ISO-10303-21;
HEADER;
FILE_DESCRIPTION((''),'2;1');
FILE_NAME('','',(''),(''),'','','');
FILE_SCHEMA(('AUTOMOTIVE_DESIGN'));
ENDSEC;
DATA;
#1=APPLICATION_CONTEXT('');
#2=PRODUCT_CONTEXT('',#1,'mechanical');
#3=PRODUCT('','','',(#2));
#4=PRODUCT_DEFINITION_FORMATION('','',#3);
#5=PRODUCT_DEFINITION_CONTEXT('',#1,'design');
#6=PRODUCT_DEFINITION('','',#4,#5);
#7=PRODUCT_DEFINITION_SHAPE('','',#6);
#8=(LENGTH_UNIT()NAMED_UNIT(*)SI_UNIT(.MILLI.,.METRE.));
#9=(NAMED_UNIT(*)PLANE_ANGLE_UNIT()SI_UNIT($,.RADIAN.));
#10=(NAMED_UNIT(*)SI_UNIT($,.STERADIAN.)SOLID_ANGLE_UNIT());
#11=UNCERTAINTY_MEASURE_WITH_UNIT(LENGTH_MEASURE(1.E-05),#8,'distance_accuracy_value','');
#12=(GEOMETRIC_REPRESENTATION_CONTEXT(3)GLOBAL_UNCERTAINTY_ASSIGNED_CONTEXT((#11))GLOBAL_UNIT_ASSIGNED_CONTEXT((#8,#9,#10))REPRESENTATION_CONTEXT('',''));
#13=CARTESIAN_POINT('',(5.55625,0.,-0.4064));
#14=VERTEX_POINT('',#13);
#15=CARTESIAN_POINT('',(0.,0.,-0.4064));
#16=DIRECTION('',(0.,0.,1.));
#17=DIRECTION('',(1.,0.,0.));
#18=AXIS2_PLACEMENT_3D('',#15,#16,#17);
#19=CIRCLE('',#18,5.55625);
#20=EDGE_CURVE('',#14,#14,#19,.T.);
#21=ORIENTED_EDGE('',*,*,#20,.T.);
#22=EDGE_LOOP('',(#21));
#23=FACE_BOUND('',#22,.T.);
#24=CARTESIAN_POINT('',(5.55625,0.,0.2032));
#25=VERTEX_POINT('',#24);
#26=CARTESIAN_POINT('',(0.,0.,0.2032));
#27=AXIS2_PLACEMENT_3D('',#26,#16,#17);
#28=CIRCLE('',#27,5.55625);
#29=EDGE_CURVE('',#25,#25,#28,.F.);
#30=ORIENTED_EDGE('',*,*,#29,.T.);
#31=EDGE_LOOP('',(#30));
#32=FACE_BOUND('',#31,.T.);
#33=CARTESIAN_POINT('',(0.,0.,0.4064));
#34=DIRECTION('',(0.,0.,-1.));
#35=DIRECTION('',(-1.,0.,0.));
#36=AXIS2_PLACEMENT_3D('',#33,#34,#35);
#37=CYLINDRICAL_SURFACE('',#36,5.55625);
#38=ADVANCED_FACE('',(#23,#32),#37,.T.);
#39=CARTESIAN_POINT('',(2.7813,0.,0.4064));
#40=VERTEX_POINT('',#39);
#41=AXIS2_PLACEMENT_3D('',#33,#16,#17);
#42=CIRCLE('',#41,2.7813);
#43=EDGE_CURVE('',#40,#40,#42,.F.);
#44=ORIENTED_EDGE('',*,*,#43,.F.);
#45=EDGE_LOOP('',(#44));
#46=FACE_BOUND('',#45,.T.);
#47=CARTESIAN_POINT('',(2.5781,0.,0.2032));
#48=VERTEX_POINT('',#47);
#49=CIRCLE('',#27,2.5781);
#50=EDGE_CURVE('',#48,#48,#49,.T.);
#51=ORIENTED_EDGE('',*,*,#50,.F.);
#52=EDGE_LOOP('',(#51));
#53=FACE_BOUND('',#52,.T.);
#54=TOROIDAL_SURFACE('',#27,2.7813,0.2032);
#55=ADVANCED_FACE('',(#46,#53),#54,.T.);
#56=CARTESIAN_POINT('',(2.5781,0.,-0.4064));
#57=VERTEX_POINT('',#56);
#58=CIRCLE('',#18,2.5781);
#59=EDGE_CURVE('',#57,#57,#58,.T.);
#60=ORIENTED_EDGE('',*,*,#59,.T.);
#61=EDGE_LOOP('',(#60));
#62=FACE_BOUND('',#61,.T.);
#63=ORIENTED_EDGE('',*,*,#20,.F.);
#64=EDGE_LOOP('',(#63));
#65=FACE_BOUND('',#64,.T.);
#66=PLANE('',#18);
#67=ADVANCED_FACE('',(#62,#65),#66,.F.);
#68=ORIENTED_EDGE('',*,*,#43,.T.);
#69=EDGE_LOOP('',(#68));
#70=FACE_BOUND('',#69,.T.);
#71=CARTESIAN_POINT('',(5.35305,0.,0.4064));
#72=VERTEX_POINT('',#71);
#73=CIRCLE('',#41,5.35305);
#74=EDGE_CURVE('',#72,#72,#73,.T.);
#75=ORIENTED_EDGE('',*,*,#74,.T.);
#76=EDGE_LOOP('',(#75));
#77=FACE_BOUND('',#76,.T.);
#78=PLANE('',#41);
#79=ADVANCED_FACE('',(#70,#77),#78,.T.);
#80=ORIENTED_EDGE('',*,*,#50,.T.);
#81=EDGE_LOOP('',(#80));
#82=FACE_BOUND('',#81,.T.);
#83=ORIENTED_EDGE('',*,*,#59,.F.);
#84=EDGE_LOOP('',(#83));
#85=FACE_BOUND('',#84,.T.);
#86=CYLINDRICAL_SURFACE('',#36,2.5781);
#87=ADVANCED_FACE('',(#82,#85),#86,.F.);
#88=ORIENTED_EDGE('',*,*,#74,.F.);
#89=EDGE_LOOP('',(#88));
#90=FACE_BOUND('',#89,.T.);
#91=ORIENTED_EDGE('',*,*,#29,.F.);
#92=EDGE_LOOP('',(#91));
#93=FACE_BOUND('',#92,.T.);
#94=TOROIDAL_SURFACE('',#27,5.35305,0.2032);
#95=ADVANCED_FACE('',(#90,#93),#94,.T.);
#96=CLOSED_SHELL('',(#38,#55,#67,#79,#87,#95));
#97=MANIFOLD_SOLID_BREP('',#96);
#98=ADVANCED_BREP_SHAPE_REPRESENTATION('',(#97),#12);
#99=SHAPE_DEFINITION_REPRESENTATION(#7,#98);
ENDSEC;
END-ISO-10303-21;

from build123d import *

# Parameters (mm, degrees)
BOSS_EXTRUDE1_DEPTH      = 0.4064
BOSS_EXTRUDE1_DEPTH_BACK = 0.4064
SKETCH3_R                = 5.55625
SKETCH3_R_2              = 2.5781
FILLET1_R                = 0.2032


with BuildPart() as part:
    # Sketch3 → Boss-Extrude1 (new, two sides: drawn at the far end of the back side and taken through both)
    with BuildSketch(Plane.XY.offset(-BOSS_EXTRUDE1_DEPTH_BACK)):
        Circle(SKETCH3_R)
        Circle(SKETCH3_R_2, mode=Mode.SUBTRACT)
    extrude(amount=BOSS_EXTRUDE1_DEPTH + BOSS_EXTRUDE1_DEPTH_BACK)

    # Fillet1
    fillet1_edges = [part.edges().sort_by_distance(p)[0] for p in [
        (-5.55625, 0, 0.4064),
        (-2.5781, 0, 0.4064),
    ]]
    fillet(fillet1_edges, radius=FILLET1_R)


solid = part.part
